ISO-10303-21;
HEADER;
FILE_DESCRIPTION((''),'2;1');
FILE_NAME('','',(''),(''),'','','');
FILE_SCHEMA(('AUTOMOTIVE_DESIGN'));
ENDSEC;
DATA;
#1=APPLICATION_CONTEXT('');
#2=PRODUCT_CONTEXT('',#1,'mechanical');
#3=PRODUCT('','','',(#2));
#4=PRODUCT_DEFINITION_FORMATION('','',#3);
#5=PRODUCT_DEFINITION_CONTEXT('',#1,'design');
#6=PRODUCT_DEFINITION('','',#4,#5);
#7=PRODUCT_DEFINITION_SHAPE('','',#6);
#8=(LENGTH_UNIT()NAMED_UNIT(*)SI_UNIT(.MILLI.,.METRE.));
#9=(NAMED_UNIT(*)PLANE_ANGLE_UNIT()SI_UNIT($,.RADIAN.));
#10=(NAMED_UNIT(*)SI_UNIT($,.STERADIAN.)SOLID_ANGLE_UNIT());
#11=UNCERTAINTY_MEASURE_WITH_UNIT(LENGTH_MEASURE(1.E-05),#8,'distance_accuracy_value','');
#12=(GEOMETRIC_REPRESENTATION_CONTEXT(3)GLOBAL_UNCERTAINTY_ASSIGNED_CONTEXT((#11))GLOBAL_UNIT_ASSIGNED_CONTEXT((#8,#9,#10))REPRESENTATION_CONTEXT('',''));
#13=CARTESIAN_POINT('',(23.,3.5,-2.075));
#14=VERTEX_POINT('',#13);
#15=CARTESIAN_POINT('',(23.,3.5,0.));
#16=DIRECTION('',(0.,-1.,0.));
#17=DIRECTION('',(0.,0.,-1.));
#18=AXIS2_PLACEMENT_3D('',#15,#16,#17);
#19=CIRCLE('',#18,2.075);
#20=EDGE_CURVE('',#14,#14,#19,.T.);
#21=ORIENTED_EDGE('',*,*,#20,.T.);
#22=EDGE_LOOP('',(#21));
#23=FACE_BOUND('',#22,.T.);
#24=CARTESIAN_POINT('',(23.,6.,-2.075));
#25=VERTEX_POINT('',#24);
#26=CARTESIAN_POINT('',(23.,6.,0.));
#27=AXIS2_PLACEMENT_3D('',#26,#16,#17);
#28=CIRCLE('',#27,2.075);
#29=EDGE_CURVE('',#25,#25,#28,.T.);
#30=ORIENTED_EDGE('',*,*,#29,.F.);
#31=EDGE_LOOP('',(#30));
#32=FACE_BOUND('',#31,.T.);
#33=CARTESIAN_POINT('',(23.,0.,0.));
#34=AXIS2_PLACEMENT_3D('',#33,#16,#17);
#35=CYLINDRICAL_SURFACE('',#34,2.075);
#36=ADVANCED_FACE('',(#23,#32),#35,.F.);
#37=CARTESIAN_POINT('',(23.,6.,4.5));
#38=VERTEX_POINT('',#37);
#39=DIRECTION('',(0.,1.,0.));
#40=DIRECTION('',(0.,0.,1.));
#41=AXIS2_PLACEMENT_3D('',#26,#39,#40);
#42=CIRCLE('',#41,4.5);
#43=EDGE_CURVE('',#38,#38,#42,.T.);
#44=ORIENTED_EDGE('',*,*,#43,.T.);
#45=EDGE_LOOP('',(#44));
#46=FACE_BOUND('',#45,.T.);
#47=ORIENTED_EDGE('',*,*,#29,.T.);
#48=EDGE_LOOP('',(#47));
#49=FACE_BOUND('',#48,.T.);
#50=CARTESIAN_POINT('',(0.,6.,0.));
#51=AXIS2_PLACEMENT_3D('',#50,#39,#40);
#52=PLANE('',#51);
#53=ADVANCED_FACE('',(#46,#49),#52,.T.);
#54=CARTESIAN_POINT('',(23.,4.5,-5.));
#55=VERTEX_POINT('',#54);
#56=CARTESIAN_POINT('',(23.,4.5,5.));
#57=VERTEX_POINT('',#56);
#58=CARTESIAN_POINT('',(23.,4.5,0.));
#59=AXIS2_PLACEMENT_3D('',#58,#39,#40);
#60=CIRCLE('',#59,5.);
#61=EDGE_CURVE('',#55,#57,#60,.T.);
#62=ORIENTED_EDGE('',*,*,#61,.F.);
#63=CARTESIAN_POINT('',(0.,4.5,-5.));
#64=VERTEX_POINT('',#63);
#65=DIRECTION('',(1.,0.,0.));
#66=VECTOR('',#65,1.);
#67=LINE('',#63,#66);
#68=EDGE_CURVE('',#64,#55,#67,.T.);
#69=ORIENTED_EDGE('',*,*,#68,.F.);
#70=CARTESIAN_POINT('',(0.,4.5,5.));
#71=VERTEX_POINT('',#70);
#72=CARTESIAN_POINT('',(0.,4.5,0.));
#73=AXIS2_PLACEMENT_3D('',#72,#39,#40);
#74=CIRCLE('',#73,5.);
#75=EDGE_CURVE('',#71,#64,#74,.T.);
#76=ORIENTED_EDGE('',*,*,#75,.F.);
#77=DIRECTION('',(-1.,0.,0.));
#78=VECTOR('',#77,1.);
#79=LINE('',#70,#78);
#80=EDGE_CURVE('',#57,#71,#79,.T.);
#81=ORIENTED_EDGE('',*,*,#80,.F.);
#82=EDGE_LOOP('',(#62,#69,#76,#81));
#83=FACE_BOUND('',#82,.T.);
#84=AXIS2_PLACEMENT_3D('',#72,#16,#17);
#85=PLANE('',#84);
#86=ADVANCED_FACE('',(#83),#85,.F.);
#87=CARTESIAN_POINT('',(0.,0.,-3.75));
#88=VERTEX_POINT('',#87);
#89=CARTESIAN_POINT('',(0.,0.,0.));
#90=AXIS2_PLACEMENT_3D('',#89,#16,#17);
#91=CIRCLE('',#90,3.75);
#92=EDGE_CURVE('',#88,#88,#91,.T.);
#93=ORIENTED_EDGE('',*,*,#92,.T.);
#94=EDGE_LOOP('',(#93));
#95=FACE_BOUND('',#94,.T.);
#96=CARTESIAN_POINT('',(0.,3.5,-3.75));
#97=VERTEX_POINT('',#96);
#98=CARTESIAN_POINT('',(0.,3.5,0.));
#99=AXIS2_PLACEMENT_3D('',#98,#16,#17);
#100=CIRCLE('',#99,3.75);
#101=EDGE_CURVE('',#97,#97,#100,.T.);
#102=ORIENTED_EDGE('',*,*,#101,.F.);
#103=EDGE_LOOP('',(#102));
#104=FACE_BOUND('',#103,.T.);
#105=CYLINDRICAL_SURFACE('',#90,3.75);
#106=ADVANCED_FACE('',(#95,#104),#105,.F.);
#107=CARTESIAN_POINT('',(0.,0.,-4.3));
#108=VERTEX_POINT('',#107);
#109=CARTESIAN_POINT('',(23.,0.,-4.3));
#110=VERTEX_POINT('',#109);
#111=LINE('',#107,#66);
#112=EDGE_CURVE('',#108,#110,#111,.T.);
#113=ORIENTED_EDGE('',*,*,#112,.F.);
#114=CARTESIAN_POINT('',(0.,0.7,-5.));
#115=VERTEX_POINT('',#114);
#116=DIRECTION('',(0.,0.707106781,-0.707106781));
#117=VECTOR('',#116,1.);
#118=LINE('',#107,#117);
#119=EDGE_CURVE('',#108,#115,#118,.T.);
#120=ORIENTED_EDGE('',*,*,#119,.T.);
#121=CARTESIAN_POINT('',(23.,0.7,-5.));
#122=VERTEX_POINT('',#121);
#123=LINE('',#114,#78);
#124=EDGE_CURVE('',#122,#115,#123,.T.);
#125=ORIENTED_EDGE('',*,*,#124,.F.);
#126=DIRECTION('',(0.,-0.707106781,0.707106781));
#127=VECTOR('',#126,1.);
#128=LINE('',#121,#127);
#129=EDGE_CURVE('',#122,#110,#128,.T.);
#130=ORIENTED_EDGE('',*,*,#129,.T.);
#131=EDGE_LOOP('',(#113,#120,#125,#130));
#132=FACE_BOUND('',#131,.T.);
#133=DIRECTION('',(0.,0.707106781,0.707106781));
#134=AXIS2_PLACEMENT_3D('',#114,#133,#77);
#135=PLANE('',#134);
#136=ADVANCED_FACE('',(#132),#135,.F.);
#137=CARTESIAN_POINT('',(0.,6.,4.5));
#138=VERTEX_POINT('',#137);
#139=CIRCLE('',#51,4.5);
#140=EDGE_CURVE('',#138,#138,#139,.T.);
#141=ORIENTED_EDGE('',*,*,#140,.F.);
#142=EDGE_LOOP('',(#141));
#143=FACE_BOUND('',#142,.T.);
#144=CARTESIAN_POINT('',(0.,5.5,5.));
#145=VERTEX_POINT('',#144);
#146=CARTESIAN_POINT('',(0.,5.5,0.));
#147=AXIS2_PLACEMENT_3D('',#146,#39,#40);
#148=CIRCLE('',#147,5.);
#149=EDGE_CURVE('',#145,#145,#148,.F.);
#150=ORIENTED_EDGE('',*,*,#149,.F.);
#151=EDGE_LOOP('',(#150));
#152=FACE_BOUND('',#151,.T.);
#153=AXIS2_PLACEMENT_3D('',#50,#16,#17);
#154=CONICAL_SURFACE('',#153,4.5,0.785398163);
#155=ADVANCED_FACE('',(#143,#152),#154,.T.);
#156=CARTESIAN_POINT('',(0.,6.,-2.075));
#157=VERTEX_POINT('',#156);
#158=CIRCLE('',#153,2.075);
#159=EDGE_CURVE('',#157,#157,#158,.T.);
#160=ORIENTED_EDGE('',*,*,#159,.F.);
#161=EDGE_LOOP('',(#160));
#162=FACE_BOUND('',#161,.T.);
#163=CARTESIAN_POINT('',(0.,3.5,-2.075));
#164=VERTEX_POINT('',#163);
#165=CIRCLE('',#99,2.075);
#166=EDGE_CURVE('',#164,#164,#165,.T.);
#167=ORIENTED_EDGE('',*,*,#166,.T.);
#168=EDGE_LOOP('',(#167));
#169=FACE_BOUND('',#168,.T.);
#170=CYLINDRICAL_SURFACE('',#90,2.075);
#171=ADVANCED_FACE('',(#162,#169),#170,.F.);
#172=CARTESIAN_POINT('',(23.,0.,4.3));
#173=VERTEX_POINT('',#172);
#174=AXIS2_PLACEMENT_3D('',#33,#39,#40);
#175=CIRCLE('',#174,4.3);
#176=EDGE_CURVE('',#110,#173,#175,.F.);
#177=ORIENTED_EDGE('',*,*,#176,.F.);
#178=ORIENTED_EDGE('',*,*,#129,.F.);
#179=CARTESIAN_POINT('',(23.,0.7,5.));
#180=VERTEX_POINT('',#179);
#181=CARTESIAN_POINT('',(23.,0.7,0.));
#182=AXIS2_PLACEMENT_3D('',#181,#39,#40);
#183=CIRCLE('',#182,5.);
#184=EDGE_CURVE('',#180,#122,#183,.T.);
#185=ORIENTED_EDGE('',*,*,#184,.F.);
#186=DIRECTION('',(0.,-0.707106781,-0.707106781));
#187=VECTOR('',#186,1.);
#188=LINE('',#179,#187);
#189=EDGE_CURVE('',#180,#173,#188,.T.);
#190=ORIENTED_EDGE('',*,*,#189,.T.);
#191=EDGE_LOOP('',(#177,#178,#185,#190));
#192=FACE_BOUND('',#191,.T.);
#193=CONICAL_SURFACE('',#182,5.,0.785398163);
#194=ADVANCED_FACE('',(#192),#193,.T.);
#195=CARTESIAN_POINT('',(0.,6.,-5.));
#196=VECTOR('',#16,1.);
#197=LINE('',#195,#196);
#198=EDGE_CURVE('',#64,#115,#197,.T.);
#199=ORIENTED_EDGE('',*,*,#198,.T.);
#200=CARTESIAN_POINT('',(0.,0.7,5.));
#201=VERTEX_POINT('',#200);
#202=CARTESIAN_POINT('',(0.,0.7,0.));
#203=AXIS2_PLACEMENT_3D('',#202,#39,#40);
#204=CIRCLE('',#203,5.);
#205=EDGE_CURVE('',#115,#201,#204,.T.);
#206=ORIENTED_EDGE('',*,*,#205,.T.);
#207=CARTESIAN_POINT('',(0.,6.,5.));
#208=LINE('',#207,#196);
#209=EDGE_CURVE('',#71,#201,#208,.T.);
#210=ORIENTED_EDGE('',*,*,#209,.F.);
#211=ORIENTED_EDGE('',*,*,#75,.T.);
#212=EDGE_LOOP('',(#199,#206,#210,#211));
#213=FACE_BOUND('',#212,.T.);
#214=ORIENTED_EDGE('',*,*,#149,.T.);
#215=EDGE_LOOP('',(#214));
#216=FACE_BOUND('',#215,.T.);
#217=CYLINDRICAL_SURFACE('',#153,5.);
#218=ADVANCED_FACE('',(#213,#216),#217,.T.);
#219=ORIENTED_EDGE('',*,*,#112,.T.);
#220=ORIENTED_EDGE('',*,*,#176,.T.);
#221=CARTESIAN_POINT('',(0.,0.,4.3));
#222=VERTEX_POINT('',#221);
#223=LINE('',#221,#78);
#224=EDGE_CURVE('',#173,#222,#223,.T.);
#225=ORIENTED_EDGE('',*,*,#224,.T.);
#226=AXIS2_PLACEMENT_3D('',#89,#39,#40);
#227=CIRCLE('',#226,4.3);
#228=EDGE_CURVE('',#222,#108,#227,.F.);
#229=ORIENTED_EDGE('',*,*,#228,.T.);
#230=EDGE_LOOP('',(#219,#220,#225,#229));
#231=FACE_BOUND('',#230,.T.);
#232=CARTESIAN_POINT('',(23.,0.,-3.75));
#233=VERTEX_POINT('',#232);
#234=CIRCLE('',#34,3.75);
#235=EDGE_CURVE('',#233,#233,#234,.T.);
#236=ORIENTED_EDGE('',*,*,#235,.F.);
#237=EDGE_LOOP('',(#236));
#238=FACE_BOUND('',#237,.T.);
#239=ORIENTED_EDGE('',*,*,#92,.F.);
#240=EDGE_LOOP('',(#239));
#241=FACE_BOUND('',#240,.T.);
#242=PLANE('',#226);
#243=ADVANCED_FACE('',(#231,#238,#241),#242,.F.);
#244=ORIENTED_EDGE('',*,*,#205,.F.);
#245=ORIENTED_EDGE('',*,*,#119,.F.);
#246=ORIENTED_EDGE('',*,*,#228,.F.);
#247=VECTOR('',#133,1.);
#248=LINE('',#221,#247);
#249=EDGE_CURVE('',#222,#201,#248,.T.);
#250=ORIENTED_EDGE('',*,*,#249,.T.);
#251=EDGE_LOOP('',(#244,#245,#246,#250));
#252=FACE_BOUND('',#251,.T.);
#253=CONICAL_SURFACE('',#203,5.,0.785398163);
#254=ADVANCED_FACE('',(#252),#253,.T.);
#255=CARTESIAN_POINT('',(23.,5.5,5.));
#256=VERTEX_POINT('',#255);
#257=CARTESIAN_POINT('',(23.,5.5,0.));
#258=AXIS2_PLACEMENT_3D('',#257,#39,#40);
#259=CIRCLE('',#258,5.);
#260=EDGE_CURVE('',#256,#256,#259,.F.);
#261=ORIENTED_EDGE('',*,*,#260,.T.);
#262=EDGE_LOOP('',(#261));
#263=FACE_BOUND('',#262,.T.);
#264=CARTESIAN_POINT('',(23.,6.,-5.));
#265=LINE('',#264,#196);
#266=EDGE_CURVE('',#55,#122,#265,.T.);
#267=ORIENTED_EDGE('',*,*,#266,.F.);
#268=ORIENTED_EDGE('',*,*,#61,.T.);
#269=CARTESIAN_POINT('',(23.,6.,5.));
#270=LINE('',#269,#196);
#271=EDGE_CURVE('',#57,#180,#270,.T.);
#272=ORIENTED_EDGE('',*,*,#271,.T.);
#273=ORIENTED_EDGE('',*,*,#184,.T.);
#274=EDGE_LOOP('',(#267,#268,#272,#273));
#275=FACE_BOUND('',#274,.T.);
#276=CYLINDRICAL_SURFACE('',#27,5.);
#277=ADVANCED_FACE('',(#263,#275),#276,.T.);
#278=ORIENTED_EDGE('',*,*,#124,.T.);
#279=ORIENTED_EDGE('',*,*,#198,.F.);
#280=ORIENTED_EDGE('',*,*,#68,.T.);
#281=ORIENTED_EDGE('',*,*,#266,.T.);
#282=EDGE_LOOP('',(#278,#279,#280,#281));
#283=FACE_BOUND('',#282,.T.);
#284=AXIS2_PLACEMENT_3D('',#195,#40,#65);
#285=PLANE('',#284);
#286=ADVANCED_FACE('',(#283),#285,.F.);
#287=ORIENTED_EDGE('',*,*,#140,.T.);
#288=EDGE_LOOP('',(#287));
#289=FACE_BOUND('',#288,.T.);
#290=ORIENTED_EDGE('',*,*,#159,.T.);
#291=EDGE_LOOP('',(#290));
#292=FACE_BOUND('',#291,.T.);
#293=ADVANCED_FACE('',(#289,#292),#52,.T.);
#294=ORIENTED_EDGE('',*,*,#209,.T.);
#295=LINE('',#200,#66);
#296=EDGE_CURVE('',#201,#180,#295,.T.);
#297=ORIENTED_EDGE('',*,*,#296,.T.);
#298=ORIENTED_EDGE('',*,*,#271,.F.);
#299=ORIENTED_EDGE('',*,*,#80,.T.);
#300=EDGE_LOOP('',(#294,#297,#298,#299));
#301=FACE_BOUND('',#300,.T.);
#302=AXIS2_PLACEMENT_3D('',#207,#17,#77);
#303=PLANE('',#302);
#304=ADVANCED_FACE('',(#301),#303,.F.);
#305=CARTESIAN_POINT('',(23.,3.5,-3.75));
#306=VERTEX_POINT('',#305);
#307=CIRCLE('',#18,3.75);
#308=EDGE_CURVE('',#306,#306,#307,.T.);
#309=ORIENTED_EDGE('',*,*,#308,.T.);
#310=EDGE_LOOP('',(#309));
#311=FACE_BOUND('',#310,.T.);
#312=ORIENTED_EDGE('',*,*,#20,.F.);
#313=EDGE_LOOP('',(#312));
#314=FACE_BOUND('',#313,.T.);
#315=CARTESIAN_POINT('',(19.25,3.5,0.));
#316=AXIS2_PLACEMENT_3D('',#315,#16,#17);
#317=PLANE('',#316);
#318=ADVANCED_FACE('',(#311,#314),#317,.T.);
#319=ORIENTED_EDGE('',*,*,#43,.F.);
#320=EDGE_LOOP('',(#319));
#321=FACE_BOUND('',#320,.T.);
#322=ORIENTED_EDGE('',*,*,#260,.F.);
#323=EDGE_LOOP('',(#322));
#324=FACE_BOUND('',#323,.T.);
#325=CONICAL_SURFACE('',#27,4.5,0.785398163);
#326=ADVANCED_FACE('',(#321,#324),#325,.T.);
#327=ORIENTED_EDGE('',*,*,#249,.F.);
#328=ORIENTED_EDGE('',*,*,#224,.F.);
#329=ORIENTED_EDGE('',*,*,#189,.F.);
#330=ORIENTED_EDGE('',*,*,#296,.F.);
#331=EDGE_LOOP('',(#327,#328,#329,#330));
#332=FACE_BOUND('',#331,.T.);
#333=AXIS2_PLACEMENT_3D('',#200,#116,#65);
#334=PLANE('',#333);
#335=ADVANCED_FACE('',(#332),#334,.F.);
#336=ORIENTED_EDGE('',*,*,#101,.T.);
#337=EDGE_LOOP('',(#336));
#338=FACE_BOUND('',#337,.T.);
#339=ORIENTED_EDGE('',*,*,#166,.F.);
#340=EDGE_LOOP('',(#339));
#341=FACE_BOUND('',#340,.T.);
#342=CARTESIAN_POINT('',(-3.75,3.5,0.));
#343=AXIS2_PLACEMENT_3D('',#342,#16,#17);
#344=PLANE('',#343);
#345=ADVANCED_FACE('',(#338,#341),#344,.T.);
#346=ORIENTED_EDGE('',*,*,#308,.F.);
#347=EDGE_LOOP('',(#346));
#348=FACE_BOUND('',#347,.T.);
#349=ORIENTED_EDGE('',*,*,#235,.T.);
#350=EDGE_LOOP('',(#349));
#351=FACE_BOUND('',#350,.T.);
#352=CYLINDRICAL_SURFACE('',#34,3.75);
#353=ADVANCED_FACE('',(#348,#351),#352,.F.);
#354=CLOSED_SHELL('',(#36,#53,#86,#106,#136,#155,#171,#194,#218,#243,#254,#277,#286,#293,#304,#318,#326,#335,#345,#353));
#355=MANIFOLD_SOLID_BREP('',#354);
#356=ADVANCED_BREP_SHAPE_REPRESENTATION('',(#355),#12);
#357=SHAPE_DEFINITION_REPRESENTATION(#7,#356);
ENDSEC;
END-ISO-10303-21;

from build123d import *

# Parameters (mm, degrees)
EXTRUDE_1_DEPTH     = 6
CUT_EXTRUDE_START   = -1.5
SKETCH_4_W          = 74.791186833
SKETCH_4_H          = 47.147225829
SKETCH_4_R          = 5
CUT_EXTRUDE_1_DEPTH = 1.5
CHAMFER_1_SIZE      = 0.5
CHAMFER_2_SIZE      = 0.7


with BuildPart() as part:
    # 草图1 → 凸台-拉伸1 (new body)
    with BuildSketch(Plane(origin=(0, 0, 0), x_dir=(1, 0, 0), z_dir=(0, 1, 0))):
        with BuildLine():
            Line((0, 5), (23, 5))
            ThreePointArc((23, 5), (28, 0), (23, -5))
            Line((23, -5), (0, -5))
            ThreePointArc((0, -5), (-5, 0), (0, 5))
        make_face()
    extrude(amount=EXTRUDE_1_DEPTH)

    # 草图2 → 切除-旋转1 (revolve, cut)
    with BuildSketch(Plane.XY, mode=Mode.PRIVATE) as cut_revolve_1_sk:
        Polygon((-3.75, 0), (-3.75, 3.5), (-2.075, 3.5), (-2.075, 6), (0, 6), (0, 0), align=None)
    revolve(cut_revolve_1_sk.sketch.rotate(Axis((0, 0, 0), (0, 1, 0)), 270), axis=Axis((0, 0, 0), (0, 1, 0)), mode=Mode.SUBTRACT)

    # 草图3 → 切除-旋转2 (revolve, cut)
    with BuildSketch(Plane.XY, mode=Mode.PRIVATE) as cut_revolve_2_sk:
        Polygon((23, 0), (19.25, 0), (19.25, 3.5), (20.925, 3.5), (20.925, 6), (23, 6), align=None)
    revolve(cut_revolve_2_sk.sketch.rotate(Axis((23, 0, 0), (0, 1, 0)), 270), axis=Axis((23, 0, 0), (0, 1, 0)), mode=Mode.SUBTRACT)

    # 草图4 → 切除-拉伸1 (cut)
    with BuildSketch(Plane(origin=(0, 6, 0), x_dir=(1, 0, 0), z_dir=(0, 1, 0)).offset(CUT_EXTRUDE_START)):
        with Locations((14.679246855, 1.415799858)):
            Rectangle(SKETCH_4_W, SKETCH_4_H)
        with Locations(Location((23, 0, 0), (0, 0, 270))):
            Circle(SKETCH_4_R, mode=Mode.SUBTRACT)
        with Locations(Location((0, 0, 0), (0, 0, 270))):
            Circle(SKETCH_4_R, mode=Mode.SUBTRACT)
    extrude(amount=CUT_EXTRUDE_1_DEPTH, mode=Mode.SUBTRACT)

    # 倒角1
    chamfer_1_edges = [part.edges().sort_by_distance(p)[0] for p in [
        (23, 6, 5),
        (0, 6, -5),
    ]]
    chamfer(chamfer_1_edges, length=CHAMFER_1_SIZE)

    # 倒角2
    chamfer_2_edges = [part.edges().sort_by_distance(p)[0] for p in [
        (11.5, 0, -5),
        (28, 0, 0),
        (11.5, 0, 5),
        (-5, 0, 0),
    ]]
    chamfer(chamfer_2_edges, length=CHAMFER_2_SIZE)


solid = part.part
